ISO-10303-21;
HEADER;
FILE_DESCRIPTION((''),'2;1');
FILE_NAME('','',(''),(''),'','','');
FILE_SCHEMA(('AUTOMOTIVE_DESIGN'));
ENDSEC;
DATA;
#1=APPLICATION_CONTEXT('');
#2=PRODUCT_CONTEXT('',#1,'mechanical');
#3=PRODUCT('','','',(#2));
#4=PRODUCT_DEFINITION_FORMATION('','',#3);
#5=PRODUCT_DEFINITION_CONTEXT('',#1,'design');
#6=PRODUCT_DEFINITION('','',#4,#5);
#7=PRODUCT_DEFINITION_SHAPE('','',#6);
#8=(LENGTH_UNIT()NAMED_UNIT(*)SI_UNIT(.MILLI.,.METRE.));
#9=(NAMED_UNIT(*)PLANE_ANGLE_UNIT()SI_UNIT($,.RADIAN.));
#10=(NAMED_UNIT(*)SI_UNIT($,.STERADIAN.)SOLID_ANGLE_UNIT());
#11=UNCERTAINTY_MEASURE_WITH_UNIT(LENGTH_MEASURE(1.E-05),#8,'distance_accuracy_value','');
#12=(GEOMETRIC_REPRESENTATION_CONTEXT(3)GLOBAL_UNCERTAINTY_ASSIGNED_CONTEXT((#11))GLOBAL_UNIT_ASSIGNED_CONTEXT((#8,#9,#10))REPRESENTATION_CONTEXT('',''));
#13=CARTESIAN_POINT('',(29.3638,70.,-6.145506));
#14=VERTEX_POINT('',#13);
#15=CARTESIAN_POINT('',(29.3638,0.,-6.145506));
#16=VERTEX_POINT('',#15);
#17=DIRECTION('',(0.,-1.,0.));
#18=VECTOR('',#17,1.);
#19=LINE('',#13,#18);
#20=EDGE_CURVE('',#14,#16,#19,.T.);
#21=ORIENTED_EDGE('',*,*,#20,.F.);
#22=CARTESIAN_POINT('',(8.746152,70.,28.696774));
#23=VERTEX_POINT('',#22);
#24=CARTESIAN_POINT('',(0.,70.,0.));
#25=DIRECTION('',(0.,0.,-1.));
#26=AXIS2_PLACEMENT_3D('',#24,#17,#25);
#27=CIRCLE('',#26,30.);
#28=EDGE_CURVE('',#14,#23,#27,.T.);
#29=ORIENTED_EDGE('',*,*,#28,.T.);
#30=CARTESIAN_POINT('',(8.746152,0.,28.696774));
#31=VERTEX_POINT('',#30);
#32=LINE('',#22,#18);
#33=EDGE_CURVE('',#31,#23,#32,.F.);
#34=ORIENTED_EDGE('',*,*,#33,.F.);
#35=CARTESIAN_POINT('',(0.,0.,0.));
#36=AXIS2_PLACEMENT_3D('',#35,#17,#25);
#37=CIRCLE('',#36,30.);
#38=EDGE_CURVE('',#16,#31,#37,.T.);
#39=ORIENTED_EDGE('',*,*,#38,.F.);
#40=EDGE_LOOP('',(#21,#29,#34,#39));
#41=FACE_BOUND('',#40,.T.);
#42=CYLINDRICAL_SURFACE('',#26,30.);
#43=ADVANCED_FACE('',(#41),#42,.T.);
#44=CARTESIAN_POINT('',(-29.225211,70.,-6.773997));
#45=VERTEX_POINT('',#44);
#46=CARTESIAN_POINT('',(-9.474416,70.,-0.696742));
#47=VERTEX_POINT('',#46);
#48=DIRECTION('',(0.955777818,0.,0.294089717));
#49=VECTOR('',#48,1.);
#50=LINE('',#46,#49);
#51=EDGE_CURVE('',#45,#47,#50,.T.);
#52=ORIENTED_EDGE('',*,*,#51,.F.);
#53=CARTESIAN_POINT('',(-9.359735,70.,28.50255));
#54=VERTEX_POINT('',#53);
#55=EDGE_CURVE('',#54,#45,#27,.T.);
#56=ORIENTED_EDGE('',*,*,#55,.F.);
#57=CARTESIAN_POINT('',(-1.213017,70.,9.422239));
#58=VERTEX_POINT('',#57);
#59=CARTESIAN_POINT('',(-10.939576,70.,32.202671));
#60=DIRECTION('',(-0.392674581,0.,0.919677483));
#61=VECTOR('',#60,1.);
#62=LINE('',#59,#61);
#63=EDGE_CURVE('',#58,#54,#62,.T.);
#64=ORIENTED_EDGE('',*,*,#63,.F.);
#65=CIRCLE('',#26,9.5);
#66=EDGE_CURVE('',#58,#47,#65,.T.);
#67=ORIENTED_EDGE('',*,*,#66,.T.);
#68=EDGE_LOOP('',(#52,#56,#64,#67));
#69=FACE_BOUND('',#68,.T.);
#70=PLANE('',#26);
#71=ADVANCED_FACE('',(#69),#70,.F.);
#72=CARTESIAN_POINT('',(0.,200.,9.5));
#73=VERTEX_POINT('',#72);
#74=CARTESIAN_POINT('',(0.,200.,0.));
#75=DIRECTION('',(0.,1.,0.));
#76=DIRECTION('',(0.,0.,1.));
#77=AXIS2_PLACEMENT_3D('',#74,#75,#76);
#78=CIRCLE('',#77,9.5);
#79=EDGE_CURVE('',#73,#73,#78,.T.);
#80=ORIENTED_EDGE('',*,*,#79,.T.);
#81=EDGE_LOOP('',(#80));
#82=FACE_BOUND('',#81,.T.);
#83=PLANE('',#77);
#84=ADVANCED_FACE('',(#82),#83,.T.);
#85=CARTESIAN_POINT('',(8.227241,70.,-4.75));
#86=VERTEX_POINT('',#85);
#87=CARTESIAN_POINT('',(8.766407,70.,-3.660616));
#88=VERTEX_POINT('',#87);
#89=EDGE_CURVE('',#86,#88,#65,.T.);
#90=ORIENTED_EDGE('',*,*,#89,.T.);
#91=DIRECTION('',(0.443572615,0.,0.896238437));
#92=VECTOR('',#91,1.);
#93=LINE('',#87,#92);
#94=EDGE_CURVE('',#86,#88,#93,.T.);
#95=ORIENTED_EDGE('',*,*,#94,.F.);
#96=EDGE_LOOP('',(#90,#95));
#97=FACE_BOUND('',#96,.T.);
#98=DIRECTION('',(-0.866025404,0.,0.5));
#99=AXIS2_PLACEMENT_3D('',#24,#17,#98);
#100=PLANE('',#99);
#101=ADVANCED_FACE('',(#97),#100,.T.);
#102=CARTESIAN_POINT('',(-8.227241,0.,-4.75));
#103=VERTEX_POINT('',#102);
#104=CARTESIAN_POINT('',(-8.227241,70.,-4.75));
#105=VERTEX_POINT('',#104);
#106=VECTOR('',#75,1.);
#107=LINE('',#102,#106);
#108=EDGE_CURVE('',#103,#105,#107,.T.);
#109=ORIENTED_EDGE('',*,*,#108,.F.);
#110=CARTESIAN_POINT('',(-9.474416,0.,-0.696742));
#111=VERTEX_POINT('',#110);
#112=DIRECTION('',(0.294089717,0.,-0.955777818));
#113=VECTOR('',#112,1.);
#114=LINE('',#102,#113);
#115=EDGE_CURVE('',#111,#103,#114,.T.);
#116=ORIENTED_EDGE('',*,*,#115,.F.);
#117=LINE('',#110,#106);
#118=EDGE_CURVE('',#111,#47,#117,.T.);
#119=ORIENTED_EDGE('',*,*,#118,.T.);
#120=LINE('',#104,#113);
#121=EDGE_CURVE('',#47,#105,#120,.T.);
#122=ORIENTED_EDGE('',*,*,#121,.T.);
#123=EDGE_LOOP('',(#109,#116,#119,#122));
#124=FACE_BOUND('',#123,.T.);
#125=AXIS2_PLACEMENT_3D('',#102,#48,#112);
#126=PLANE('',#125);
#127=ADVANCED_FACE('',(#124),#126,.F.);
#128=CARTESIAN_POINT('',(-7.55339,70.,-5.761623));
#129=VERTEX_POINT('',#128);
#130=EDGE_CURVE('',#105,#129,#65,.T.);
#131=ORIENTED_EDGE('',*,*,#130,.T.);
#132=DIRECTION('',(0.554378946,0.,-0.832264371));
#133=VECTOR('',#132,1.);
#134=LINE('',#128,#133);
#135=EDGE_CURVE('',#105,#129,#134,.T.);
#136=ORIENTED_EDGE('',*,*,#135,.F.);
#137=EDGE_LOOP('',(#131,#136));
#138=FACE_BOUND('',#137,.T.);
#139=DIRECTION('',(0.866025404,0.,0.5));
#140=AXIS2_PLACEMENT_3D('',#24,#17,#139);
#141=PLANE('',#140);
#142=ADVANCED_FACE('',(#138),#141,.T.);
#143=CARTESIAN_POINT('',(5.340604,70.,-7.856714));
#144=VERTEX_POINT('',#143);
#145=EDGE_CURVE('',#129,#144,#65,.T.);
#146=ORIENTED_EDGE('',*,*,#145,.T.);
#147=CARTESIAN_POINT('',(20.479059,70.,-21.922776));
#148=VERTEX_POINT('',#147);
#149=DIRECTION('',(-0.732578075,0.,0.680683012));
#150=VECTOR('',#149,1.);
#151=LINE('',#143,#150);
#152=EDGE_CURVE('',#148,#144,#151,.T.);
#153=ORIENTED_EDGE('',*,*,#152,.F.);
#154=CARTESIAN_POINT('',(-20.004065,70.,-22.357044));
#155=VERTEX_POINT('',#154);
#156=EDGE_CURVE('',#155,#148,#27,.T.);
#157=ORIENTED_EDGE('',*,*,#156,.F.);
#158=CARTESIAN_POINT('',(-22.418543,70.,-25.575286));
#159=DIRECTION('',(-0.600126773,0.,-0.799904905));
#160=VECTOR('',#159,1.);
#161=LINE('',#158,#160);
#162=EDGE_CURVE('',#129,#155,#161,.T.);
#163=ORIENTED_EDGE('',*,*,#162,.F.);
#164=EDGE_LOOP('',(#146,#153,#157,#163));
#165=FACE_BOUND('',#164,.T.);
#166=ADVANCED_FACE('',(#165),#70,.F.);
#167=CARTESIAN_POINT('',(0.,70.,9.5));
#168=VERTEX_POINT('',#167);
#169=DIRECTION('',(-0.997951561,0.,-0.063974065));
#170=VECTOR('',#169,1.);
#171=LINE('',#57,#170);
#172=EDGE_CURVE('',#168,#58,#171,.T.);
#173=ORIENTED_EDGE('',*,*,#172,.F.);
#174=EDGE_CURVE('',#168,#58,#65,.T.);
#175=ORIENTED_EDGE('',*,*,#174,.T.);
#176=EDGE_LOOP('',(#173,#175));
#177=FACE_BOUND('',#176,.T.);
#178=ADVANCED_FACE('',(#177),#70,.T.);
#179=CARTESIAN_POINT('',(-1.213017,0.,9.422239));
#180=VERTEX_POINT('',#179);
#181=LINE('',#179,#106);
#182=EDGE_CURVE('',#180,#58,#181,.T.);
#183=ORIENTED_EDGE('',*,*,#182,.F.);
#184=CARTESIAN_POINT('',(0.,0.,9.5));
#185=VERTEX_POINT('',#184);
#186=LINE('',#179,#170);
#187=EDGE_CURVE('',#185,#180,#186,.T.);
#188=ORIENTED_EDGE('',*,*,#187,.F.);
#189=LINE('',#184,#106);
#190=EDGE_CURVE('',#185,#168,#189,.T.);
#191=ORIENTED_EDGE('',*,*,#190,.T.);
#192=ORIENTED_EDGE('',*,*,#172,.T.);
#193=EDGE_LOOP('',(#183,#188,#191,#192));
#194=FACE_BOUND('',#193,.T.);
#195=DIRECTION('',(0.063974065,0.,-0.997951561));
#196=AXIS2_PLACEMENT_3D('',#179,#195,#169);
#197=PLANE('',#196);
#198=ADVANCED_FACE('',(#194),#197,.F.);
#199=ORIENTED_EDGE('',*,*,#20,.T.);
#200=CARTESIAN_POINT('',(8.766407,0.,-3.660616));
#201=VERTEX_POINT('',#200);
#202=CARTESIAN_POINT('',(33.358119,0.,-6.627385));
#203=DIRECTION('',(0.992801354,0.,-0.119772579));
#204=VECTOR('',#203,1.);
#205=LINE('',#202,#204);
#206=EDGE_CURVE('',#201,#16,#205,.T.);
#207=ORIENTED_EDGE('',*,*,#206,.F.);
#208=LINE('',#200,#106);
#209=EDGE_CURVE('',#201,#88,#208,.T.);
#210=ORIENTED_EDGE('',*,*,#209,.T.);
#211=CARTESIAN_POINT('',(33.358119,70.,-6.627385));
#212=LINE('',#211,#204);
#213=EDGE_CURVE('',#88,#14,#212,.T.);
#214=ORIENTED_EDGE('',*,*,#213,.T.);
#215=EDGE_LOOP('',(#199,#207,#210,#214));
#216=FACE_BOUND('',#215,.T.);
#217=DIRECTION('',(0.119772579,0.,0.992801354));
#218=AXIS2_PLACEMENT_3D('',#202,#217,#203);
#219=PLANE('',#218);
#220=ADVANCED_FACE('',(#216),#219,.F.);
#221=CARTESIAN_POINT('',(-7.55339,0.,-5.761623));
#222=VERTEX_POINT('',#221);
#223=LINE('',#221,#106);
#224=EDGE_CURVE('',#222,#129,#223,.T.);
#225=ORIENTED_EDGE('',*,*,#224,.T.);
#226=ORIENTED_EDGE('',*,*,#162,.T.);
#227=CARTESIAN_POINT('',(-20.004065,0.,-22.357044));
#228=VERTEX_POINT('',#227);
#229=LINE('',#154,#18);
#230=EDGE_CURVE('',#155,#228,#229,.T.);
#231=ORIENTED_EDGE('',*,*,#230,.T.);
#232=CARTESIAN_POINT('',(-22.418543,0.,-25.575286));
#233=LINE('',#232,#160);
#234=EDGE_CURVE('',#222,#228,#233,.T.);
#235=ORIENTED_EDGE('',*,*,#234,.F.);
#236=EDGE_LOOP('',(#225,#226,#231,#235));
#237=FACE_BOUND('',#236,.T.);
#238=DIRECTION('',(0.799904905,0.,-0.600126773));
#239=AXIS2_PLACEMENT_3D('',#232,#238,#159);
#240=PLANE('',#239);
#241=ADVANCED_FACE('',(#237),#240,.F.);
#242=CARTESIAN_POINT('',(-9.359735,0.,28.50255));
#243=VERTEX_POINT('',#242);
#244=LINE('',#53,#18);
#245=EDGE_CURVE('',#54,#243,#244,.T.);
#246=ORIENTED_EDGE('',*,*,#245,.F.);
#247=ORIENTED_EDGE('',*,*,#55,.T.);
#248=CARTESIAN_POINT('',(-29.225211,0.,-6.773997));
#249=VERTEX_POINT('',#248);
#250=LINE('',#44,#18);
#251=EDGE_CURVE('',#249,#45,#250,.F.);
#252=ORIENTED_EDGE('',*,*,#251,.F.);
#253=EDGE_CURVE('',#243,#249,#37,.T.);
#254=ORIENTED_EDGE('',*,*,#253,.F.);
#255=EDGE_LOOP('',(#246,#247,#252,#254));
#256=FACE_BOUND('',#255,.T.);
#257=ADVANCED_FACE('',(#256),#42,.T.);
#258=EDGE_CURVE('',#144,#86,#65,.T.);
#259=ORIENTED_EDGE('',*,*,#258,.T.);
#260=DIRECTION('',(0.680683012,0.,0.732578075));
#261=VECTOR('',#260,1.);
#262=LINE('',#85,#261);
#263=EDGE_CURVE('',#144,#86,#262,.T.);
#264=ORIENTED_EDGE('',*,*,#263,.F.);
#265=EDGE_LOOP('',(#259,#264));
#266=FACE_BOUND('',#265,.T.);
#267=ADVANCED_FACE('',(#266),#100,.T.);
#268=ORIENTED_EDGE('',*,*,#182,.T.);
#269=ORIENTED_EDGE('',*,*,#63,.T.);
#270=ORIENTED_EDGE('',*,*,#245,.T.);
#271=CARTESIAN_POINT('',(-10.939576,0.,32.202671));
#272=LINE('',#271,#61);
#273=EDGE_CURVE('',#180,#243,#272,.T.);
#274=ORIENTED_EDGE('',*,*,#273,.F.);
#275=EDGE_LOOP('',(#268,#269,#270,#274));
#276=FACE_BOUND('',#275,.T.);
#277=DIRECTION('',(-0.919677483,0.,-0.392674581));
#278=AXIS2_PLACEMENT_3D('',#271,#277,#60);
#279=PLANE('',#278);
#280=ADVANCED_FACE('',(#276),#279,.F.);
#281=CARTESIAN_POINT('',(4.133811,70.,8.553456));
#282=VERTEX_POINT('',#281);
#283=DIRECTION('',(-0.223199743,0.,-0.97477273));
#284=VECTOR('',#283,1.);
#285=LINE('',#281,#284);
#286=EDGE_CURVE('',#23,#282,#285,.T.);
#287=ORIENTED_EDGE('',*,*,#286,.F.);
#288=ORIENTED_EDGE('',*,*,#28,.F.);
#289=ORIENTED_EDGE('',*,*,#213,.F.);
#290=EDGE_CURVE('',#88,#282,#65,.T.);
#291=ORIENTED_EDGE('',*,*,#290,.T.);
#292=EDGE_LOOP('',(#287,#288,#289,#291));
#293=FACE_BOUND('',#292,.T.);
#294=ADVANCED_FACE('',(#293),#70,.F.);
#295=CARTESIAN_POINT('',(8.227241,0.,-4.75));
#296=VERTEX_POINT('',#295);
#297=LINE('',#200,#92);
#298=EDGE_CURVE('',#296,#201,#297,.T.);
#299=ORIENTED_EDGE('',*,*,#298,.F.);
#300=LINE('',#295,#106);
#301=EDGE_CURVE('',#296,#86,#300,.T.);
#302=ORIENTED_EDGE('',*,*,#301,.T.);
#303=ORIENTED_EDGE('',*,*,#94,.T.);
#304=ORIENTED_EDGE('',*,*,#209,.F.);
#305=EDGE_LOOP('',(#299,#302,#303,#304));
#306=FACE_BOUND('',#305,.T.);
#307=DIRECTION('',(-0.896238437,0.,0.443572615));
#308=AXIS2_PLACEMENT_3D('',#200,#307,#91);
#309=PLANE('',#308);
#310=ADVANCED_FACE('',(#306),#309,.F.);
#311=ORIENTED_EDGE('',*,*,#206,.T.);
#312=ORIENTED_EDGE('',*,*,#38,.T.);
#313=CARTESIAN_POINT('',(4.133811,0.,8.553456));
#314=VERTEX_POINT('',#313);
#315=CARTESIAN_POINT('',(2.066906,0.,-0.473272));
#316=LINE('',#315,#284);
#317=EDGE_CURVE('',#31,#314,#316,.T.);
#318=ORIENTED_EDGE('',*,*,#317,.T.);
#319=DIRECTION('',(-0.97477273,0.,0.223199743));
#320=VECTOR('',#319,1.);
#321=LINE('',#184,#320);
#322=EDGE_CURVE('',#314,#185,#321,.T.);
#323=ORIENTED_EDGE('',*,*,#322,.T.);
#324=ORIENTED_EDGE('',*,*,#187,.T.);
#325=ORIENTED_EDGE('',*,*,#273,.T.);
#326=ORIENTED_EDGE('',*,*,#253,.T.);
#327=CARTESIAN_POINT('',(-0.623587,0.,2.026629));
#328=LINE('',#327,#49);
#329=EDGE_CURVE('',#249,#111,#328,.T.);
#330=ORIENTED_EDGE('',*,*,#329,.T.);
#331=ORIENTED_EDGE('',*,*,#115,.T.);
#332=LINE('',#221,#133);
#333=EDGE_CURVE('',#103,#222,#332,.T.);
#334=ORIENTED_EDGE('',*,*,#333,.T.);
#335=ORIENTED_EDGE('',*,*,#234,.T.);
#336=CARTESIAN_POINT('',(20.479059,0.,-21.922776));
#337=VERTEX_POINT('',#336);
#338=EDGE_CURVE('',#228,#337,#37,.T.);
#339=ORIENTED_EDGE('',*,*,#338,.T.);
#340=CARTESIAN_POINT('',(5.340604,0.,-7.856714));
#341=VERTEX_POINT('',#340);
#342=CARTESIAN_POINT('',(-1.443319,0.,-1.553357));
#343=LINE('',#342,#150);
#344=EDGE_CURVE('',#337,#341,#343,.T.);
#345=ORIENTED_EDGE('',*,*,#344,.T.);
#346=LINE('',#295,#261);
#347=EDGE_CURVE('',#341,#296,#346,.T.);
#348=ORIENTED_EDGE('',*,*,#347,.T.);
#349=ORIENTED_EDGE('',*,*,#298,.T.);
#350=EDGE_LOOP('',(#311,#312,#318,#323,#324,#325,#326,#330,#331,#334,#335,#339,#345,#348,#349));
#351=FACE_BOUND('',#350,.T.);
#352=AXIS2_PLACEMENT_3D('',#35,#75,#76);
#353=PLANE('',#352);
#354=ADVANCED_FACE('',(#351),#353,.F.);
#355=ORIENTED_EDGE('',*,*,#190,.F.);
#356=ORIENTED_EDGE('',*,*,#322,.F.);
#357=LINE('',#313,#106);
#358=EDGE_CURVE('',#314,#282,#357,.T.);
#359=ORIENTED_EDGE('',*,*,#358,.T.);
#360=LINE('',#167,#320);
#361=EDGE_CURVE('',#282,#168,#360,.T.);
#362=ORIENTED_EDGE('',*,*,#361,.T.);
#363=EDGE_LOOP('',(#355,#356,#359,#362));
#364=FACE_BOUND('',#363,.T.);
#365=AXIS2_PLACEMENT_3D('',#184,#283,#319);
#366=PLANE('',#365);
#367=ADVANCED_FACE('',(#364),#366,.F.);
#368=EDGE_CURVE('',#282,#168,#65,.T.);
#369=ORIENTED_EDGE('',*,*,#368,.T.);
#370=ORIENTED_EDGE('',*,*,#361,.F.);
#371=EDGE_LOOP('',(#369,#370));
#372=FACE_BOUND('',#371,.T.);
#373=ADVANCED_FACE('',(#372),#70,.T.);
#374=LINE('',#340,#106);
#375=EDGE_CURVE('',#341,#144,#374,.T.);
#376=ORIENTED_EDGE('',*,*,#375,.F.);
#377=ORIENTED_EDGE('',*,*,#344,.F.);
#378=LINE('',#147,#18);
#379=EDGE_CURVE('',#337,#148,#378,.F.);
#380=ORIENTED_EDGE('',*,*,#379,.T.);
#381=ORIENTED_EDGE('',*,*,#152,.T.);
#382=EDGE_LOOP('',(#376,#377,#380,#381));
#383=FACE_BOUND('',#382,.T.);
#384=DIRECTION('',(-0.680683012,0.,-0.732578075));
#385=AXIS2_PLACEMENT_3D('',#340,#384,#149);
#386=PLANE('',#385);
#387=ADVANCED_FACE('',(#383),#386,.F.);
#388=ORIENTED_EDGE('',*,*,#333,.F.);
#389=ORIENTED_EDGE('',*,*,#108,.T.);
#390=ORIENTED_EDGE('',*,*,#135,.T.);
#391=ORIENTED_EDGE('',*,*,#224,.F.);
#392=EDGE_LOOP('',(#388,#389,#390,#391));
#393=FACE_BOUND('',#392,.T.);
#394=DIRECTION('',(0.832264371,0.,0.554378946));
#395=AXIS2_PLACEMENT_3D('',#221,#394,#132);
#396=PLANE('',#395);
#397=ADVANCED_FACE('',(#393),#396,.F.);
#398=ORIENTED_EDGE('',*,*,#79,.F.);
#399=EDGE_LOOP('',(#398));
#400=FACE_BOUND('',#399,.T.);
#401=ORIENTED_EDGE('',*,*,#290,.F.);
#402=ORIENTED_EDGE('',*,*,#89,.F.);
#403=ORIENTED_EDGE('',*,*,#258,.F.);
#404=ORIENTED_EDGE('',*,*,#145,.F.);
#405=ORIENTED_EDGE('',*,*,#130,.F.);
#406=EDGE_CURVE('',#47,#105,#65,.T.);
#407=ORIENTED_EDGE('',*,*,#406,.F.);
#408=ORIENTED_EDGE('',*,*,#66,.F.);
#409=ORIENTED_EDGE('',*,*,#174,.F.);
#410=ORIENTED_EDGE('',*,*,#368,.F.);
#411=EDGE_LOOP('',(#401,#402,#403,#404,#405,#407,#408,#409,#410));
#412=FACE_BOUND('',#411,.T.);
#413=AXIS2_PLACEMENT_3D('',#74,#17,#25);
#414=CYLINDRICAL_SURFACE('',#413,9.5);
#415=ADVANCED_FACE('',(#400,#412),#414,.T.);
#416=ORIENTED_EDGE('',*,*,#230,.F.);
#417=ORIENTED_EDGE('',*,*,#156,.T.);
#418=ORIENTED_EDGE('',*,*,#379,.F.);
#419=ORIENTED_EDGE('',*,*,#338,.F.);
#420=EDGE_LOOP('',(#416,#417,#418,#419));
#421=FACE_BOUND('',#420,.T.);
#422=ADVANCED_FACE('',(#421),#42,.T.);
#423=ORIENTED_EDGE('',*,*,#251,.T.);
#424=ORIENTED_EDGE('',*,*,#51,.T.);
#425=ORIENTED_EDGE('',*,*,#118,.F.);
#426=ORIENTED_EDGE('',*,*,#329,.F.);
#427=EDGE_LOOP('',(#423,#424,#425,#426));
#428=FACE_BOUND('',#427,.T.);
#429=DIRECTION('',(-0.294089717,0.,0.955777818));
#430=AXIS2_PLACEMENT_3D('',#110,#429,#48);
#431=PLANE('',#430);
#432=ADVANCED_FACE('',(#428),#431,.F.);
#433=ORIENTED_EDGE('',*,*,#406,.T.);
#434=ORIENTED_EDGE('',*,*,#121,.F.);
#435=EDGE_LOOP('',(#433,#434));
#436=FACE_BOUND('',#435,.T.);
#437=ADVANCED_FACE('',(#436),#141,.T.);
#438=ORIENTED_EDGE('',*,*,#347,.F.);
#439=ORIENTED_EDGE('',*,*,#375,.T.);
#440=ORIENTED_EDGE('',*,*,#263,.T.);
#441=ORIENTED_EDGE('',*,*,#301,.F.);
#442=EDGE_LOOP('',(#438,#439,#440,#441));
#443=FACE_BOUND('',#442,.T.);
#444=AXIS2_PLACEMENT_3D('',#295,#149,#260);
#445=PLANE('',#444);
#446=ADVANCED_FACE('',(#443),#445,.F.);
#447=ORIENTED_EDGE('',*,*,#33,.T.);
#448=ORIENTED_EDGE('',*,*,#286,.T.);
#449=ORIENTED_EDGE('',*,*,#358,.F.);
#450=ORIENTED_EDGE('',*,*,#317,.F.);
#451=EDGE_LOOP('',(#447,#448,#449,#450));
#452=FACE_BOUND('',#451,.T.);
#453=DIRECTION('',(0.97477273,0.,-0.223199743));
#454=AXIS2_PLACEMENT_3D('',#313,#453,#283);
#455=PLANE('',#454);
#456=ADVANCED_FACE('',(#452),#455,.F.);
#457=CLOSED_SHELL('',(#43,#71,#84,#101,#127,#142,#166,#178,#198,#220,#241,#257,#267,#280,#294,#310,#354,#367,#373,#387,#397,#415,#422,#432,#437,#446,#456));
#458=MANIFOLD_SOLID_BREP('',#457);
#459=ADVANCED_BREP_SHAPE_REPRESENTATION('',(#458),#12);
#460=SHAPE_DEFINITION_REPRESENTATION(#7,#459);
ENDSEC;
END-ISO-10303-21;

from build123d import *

# Parameters (mm, degrees)
SKETCH1_R           = 9.5
BOSS_EXTRUDE1_DEPTH = 200
SKETCH2_R           = 30
SKETCH2_R_2         = 9.5
BOSS_EXTRUDE2_DEPTH = 70
CUT_EXTRUDE1_DEPTH  = 137.747943312
CIRPATTERN1_COUNT   = 3


with BuildPart() as part:
    # Sketch1 → Boss-Extrude1 (new body)
    with BuildSketch(Plane(origin=(0, 0, 0), x_dir=(1, 0, 0), z_dir=(0, 1, 0))):
        with Locations(Location((0, 0, 0), (0, 0, 270))):
            Circle(SKETCH1_R)
    extrude(amount=BOSS_EXTRUDE1_DEPTH)

    # Sketch2 → Boss-Extrude2 (add)
    with BuildSketch(Plane.XZ):
        with Locations(Location((0, 0, 0), (0, 0, 270))):
            Circle(SKETCH2_R)
        with Locations(Location((0, 0, 0), (0, 0, 270))):
            Circle(SKETCH2_R_2, mode=Mode.SUBTRACT)
    extrude(amount=-BOSS_EXTRUDE2_DEPTH)

    # Sketch4 → Cut-Extrude1 (cut, through all)
    with BuildSketch(Plane(origin=(0, 70, 0), x_dir=(1, 0, 0), z_dir=(0, 1, 0))):
        Polygon((-10.93957563, -32.202671167), (-1.213017348, -9.422239061), (0, -9.5), (4.133811434, -8.553455619), (9.548918641, -32.202671167), align=None)
    cut_extrude1 = extrude(amount=-CUT_EXTRUDE1_DEPTH, mode=Mode.SUBTRACT)

    # CirPattern1: Cut-Extrude1 ×3 about axis
    cirpattern1_axis = Axis((0, 0, 0), (0, 1, 0))
    for i in range(1, CIRPATTERN1_COUNT):
        add(cut_extrude1.rotate(cirpattern1_axis, i * 360 / CIRPATTERN1_COUNT), mode=Mode.SUBTRACT)


solid = part.part
